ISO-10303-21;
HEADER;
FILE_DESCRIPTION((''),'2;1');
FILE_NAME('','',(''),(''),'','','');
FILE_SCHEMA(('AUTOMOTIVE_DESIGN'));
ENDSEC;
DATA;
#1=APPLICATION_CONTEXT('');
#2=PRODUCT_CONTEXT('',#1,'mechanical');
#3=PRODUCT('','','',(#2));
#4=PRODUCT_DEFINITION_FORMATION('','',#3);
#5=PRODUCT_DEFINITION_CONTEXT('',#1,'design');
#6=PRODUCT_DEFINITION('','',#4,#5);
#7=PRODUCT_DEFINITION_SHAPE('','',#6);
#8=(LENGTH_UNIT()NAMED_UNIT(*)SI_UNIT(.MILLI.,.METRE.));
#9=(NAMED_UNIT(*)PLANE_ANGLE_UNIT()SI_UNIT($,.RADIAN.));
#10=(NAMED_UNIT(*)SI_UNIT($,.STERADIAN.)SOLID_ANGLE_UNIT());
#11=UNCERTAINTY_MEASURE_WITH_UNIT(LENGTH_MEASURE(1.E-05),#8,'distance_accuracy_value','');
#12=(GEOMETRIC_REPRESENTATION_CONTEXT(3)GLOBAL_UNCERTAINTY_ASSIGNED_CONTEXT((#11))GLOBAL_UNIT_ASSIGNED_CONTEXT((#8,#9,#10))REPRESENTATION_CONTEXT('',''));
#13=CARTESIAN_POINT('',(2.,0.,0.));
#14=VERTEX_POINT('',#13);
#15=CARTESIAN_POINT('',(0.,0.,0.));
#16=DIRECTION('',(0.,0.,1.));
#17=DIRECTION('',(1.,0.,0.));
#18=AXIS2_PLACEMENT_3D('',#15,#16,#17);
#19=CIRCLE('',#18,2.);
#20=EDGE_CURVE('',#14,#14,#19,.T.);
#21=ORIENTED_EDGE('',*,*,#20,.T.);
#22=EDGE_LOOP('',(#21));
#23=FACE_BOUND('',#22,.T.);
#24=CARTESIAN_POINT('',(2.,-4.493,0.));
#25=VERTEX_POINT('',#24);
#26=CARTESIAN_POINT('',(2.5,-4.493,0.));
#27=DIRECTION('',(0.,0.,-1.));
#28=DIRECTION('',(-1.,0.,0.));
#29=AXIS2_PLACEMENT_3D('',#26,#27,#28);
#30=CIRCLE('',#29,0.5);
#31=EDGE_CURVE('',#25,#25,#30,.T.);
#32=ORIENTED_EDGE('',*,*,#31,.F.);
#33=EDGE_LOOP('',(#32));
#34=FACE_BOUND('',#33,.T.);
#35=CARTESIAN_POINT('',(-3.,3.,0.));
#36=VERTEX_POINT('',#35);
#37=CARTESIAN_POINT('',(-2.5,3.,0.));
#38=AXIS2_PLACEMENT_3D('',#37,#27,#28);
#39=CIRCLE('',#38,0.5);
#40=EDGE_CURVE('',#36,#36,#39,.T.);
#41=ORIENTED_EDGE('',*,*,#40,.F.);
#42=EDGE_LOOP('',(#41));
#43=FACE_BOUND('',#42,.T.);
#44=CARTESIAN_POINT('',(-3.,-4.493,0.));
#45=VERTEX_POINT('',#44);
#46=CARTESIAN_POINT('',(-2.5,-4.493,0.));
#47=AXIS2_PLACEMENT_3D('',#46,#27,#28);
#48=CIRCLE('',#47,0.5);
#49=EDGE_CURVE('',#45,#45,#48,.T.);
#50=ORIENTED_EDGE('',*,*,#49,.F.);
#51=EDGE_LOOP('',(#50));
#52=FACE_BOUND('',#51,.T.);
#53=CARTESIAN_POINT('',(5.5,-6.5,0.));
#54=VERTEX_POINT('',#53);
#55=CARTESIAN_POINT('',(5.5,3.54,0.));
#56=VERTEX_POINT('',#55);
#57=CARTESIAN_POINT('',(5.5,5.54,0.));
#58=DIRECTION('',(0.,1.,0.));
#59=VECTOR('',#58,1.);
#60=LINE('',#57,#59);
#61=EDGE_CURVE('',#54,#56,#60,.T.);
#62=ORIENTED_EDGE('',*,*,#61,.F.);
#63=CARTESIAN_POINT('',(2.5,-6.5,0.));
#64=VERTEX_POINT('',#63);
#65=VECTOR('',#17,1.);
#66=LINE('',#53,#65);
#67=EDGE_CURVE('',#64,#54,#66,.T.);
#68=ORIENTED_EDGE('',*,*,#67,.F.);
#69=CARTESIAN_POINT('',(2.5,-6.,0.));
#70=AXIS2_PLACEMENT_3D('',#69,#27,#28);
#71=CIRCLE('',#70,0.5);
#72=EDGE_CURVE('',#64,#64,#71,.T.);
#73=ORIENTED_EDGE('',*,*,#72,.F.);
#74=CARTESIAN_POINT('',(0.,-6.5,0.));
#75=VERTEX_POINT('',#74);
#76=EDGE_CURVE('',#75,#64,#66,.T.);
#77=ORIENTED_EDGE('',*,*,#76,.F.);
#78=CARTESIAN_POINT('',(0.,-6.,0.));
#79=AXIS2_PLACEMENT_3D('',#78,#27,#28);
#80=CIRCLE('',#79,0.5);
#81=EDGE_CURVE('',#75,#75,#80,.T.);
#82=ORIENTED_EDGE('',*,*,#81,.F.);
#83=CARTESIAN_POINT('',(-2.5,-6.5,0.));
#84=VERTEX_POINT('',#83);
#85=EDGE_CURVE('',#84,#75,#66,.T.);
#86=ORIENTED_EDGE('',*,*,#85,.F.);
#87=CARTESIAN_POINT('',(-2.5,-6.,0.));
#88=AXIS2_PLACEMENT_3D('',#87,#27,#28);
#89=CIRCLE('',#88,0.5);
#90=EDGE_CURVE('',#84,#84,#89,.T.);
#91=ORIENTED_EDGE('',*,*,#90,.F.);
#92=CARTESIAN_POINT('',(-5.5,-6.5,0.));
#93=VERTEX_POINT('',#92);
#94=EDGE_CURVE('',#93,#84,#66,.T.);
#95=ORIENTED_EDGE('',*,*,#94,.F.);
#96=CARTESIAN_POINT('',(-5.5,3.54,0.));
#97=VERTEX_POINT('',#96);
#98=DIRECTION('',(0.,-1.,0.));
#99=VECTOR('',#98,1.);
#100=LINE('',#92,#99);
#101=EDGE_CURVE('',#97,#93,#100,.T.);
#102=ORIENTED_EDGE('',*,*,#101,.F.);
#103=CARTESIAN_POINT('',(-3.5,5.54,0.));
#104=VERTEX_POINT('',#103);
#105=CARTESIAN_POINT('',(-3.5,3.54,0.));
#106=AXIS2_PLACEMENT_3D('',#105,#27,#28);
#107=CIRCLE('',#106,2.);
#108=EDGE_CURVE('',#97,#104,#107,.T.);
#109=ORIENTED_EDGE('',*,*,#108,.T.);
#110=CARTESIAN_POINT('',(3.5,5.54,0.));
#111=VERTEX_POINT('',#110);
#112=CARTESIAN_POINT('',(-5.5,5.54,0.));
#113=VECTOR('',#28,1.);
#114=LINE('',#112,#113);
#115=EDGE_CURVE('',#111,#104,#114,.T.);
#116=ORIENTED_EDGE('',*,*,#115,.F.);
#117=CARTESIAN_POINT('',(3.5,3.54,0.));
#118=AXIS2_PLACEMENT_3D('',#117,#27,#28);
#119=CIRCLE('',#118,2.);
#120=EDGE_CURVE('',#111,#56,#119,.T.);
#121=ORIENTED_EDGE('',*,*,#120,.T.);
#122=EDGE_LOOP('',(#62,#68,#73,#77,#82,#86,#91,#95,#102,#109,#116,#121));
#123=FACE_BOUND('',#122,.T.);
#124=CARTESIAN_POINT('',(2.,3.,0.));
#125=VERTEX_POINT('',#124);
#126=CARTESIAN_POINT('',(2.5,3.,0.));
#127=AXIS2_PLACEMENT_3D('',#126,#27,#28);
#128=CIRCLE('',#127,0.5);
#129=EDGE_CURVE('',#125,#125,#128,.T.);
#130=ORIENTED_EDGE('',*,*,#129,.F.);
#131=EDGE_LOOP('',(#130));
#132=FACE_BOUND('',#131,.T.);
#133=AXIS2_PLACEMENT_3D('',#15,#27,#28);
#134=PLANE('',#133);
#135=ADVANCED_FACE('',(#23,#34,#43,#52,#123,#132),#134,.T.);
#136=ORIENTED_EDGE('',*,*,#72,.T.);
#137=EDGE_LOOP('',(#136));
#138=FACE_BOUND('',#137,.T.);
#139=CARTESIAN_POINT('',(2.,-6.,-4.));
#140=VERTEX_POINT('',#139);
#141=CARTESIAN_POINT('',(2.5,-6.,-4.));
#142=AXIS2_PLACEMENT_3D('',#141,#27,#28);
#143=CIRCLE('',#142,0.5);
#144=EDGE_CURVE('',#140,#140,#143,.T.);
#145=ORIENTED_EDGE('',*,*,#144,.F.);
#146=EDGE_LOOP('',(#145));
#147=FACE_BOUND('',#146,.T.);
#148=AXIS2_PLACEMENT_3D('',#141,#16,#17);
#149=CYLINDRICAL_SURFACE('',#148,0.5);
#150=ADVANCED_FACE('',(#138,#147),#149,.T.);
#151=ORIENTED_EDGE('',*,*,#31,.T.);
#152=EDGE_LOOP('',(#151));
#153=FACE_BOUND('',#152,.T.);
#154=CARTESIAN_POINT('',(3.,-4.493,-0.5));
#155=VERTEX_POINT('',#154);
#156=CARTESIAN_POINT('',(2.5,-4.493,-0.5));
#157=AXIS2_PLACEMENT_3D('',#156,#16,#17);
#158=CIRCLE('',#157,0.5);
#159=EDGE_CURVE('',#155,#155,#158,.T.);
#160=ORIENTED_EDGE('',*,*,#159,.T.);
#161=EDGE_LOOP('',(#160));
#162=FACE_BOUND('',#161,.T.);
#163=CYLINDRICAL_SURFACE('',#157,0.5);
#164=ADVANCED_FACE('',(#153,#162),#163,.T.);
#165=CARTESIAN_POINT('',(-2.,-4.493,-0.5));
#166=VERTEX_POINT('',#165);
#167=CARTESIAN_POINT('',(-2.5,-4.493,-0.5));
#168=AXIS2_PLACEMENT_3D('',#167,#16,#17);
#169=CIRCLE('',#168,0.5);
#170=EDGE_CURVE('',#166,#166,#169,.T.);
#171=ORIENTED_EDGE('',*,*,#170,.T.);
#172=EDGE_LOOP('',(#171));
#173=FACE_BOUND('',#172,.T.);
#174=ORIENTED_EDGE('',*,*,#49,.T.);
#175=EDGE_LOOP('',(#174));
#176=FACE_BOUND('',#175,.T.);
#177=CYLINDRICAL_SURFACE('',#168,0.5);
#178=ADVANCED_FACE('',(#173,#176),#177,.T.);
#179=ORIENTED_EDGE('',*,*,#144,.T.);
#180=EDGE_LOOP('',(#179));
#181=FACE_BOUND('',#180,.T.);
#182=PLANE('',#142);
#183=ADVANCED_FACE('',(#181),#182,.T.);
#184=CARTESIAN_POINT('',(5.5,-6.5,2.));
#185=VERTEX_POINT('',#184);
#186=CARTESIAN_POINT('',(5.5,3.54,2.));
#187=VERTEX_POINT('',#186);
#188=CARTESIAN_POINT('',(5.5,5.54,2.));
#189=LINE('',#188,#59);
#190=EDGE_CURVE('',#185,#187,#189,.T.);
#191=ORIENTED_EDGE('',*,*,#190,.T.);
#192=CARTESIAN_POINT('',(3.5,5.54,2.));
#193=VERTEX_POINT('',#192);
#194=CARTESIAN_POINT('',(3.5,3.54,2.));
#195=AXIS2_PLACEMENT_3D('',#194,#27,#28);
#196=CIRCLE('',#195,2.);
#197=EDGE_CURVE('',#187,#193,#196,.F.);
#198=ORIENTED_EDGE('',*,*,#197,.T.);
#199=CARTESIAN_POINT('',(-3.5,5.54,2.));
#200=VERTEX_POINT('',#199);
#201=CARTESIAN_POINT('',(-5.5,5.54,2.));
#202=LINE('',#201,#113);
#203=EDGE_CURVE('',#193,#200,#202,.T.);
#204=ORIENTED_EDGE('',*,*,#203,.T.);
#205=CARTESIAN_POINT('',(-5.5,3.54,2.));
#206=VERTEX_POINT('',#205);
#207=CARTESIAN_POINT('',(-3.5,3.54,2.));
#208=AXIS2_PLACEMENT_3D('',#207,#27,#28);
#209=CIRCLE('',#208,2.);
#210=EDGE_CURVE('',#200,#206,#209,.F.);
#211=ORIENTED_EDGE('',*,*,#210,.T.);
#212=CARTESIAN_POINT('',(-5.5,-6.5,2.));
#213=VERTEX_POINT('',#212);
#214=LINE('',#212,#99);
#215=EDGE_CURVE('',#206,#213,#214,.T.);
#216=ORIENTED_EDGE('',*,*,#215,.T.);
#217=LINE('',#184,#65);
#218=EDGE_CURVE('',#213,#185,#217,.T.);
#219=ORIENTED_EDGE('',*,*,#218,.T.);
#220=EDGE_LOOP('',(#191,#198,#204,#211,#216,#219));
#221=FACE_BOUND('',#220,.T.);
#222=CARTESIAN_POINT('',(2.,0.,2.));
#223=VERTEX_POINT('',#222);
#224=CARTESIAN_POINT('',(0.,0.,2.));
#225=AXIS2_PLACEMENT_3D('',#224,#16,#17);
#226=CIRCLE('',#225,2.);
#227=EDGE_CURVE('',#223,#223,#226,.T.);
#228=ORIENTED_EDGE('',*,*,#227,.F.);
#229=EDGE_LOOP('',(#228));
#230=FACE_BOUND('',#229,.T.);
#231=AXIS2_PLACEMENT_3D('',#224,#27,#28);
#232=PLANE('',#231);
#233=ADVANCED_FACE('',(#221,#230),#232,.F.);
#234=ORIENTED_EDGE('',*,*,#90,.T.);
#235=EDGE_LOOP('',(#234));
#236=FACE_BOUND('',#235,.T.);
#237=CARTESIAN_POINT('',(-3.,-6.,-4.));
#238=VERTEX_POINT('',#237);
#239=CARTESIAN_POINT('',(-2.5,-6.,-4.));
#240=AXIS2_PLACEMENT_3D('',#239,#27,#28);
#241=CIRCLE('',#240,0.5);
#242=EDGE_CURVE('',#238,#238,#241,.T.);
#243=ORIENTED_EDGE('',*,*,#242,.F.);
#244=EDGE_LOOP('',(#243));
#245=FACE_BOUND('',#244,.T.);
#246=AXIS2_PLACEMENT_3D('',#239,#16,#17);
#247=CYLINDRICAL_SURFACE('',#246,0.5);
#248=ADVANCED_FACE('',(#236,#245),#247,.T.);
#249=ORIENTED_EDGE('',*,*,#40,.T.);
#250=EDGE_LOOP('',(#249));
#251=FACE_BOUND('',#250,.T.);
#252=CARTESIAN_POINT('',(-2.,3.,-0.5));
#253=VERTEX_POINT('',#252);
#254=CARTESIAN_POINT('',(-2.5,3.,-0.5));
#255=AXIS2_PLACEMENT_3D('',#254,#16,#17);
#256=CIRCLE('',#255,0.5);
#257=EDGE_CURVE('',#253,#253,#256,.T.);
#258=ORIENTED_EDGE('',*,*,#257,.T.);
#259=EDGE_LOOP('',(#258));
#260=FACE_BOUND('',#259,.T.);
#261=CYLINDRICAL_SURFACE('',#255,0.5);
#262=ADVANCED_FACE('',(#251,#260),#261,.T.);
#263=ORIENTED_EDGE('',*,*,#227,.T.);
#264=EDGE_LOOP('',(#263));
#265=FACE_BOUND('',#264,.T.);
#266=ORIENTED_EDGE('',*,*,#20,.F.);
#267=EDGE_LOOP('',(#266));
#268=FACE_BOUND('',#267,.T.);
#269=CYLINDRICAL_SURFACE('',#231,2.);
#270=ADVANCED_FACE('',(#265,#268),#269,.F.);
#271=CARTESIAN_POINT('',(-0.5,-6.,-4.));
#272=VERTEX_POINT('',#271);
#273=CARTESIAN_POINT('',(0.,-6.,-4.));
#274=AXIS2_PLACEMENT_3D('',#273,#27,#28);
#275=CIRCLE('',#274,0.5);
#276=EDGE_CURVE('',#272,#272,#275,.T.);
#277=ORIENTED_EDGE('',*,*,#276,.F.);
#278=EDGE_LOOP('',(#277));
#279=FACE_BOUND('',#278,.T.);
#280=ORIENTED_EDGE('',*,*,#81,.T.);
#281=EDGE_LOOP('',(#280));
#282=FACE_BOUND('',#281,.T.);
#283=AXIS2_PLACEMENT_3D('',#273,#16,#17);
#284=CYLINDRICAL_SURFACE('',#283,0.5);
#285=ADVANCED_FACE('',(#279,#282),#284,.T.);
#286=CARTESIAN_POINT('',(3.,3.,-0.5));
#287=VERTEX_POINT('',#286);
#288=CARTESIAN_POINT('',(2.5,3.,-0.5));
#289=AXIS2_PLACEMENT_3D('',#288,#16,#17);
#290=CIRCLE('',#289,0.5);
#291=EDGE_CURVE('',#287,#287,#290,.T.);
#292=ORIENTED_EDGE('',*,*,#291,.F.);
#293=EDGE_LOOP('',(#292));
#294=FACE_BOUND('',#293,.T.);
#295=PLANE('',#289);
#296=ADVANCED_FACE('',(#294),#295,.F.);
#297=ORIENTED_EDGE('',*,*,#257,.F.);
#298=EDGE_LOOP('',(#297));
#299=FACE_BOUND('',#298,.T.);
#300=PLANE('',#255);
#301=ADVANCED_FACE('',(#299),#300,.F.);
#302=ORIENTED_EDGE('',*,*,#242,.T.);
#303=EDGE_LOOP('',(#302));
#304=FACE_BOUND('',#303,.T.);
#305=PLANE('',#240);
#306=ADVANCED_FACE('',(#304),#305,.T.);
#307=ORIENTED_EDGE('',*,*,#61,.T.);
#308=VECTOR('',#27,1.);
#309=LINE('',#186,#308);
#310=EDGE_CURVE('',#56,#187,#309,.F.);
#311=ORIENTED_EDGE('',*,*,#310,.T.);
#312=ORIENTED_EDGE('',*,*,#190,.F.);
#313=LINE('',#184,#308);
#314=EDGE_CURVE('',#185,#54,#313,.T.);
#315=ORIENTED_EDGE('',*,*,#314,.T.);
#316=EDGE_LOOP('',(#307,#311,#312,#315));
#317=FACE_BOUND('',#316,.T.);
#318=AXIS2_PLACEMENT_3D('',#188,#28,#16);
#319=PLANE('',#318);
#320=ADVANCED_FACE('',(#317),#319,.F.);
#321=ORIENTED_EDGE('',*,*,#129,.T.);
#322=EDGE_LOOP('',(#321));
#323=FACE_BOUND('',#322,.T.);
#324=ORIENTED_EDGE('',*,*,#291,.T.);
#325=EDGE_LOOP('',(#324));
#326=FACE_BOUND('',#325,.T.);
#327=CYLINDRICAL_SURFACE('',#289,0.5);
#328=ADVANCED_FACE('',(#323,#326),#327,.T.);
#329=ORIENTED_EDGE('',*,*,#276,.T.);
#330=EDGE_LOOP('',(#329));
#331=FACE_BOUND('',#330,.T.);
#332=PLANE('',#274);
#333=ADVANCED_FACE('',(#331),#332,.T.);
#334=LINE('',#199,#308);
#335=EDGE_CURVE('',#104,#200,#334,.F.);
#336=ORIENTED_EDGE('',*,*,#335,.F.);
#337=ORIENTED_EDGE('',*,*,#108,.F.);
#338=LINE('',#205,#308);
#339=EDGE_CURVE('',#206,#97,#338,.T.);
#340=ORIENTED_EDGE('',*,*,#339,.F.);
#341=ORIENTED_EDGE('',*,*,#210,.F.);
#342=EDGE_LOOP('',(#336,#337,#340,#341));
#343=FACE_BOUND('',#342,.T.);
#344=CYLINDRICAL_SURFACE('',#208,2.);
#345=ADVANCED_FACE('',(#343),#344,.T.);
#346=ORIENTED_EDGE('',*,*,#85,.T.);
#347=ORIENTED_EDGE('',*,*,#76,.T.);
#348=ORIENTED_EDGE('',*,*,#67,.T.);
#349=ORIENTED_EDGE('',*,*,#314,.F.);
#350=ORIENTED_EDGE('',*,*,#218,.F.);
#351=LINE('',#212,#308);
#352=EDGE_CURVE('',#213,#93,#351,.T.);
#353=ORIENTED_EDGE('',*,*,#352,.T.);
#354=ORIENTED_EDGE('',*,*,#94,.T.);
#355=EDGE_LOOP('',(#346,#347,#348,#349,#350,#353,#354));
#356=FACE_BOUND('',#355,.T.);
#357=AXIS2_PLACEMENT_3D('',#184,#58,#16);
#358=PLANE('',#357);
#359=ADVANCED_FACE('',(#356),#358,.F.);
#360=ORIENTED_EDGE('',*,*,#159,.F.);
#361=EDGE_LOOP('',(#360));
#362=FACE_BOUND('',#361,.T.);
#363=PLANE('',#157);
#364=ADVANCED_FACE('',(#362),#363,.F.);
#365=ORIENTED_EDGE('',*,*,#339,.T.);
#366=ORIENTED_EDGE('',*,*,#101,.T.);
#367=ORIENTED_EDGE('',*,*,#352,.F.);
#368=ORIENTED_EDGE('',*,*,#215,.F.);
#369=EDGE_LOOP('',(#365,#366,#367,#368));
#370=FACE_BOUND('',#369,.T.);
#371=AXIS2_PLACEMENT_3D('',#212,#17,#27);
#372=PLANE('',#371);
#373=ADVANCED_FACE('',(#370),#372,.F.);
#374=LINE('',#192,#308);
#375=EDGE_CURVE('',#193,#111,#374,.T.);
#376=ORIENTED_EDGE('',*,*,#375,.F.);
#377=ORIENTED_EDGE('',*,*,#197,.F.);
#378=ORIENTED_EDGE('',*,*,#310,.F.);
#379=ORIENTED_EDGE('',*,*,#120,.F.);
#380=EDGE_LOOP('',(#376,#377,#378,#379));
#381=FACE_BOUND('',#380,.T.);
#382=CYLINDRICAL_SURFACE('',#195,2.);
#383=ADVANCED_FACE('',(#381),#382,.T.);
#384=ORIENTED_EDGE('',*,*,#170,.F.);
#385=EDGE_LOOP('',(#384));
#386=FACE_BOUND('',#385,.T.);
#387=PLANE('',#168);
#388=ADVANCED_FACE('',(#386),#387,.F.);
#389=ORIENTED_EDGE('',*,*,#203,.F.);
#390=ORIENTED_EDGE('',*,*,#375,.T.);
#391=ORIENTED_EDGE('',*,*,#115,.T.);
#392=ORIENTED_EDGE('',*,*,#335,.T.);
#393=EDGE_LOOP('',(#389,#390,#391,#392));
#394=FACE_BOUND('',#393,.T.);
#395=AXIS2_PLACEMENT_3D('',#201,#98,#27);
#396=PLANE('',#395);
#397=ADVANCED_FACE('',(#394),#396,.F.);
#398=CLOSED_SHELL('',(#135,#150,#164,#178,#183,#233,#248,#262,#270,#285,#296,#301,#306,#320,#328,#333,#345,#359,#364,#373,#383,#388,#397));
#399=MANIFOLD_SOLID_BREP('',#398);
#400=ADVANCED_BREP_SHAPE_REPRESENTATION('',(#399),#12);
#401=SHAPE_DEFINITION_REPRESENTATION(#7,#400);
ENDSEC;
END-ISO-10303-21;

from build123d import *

# Parameters (mm, degrees)
SKETCH3_W           = 11
SKETCH3_H           = 12.04
BOSS_EXTRUDE1_DEPTH = 2
FILLET1_R           = 2
SKETCH4_R           = 2
CUT_EXTRUDE1_DEPTH  = 2
SKETCH5_R           = 0.5
BOSS_EXTRUDE2_DEPTH = 0.5
SKETCH6_R           = 0.5
BOSS_EXTRUDE3_DEPTH = 4


with BuildPart() as part:
    # Sketch3 → Boss-Extrude1 (new body)
    with BuildSketch(Plane.XY):
        with Locations((0, -0.48)):
            Rectangle(SKETCH3_W, SKETCH3_H)
    extrude(amount=BOSS_EXTRUDE1_DEPTH)

    # Fillet1
    fillet1_edges = [part.edges().sort_by_distance(p)[0] for p in [
        (-5.5, 5.54, 1),
        (5.5, 5.54, 1),
    ]]
    fillet(fillet1_edges, radius=FILLET1_R)

    # Sketch4 → Cut-Extrude1 (cut)
    with BuildSketch(Plane.XY):
        Circle(SKETCH4_R)
    extrude(amount=CUT_EXTRUDE1_DEPTH, mode=Mode.SUBTRACT)

    # Sketch5 → Boss-Extrude2 (add)
    with BuildSketch(Plane.XY):
        with Locations((2.5, 3)):
            Circle(SKETCH5_R)
        with Locations((-2.5, 3)):
            Circle(SKETCH5_R)
        with Locations((2.5, -4.493)):
            Circle(SKETCH5_R)
        with Locations((-2.5, -4.493)):
            Circle(SKETCH5_R)
    extrude(amount=-BOSS_EXTRUDE2_DEPTH)

    # Sketch6 → Boss-Extrude3 (add)
    with BuildSketch(Plane(origin=(0, 0, 0), x_dir=(-1, 0, 0), z_dir=(0, 0, -1))):
        with Locations(Location((0, -6, 0), (0, 0, 270))):
            Circle(SKETCH6_R)
        with Locations(Location((2.5, -6, 0), (0, 0, 270))):
            Circle(SKETCH6_R)
        with Locations(Location((-2.5, -6, 0), (0, 0, 270))):
            Circle(SKETCH6_R)
    extrude(amount=BOSS_EXTRUDE3_DEPTH)


solid = part.part
